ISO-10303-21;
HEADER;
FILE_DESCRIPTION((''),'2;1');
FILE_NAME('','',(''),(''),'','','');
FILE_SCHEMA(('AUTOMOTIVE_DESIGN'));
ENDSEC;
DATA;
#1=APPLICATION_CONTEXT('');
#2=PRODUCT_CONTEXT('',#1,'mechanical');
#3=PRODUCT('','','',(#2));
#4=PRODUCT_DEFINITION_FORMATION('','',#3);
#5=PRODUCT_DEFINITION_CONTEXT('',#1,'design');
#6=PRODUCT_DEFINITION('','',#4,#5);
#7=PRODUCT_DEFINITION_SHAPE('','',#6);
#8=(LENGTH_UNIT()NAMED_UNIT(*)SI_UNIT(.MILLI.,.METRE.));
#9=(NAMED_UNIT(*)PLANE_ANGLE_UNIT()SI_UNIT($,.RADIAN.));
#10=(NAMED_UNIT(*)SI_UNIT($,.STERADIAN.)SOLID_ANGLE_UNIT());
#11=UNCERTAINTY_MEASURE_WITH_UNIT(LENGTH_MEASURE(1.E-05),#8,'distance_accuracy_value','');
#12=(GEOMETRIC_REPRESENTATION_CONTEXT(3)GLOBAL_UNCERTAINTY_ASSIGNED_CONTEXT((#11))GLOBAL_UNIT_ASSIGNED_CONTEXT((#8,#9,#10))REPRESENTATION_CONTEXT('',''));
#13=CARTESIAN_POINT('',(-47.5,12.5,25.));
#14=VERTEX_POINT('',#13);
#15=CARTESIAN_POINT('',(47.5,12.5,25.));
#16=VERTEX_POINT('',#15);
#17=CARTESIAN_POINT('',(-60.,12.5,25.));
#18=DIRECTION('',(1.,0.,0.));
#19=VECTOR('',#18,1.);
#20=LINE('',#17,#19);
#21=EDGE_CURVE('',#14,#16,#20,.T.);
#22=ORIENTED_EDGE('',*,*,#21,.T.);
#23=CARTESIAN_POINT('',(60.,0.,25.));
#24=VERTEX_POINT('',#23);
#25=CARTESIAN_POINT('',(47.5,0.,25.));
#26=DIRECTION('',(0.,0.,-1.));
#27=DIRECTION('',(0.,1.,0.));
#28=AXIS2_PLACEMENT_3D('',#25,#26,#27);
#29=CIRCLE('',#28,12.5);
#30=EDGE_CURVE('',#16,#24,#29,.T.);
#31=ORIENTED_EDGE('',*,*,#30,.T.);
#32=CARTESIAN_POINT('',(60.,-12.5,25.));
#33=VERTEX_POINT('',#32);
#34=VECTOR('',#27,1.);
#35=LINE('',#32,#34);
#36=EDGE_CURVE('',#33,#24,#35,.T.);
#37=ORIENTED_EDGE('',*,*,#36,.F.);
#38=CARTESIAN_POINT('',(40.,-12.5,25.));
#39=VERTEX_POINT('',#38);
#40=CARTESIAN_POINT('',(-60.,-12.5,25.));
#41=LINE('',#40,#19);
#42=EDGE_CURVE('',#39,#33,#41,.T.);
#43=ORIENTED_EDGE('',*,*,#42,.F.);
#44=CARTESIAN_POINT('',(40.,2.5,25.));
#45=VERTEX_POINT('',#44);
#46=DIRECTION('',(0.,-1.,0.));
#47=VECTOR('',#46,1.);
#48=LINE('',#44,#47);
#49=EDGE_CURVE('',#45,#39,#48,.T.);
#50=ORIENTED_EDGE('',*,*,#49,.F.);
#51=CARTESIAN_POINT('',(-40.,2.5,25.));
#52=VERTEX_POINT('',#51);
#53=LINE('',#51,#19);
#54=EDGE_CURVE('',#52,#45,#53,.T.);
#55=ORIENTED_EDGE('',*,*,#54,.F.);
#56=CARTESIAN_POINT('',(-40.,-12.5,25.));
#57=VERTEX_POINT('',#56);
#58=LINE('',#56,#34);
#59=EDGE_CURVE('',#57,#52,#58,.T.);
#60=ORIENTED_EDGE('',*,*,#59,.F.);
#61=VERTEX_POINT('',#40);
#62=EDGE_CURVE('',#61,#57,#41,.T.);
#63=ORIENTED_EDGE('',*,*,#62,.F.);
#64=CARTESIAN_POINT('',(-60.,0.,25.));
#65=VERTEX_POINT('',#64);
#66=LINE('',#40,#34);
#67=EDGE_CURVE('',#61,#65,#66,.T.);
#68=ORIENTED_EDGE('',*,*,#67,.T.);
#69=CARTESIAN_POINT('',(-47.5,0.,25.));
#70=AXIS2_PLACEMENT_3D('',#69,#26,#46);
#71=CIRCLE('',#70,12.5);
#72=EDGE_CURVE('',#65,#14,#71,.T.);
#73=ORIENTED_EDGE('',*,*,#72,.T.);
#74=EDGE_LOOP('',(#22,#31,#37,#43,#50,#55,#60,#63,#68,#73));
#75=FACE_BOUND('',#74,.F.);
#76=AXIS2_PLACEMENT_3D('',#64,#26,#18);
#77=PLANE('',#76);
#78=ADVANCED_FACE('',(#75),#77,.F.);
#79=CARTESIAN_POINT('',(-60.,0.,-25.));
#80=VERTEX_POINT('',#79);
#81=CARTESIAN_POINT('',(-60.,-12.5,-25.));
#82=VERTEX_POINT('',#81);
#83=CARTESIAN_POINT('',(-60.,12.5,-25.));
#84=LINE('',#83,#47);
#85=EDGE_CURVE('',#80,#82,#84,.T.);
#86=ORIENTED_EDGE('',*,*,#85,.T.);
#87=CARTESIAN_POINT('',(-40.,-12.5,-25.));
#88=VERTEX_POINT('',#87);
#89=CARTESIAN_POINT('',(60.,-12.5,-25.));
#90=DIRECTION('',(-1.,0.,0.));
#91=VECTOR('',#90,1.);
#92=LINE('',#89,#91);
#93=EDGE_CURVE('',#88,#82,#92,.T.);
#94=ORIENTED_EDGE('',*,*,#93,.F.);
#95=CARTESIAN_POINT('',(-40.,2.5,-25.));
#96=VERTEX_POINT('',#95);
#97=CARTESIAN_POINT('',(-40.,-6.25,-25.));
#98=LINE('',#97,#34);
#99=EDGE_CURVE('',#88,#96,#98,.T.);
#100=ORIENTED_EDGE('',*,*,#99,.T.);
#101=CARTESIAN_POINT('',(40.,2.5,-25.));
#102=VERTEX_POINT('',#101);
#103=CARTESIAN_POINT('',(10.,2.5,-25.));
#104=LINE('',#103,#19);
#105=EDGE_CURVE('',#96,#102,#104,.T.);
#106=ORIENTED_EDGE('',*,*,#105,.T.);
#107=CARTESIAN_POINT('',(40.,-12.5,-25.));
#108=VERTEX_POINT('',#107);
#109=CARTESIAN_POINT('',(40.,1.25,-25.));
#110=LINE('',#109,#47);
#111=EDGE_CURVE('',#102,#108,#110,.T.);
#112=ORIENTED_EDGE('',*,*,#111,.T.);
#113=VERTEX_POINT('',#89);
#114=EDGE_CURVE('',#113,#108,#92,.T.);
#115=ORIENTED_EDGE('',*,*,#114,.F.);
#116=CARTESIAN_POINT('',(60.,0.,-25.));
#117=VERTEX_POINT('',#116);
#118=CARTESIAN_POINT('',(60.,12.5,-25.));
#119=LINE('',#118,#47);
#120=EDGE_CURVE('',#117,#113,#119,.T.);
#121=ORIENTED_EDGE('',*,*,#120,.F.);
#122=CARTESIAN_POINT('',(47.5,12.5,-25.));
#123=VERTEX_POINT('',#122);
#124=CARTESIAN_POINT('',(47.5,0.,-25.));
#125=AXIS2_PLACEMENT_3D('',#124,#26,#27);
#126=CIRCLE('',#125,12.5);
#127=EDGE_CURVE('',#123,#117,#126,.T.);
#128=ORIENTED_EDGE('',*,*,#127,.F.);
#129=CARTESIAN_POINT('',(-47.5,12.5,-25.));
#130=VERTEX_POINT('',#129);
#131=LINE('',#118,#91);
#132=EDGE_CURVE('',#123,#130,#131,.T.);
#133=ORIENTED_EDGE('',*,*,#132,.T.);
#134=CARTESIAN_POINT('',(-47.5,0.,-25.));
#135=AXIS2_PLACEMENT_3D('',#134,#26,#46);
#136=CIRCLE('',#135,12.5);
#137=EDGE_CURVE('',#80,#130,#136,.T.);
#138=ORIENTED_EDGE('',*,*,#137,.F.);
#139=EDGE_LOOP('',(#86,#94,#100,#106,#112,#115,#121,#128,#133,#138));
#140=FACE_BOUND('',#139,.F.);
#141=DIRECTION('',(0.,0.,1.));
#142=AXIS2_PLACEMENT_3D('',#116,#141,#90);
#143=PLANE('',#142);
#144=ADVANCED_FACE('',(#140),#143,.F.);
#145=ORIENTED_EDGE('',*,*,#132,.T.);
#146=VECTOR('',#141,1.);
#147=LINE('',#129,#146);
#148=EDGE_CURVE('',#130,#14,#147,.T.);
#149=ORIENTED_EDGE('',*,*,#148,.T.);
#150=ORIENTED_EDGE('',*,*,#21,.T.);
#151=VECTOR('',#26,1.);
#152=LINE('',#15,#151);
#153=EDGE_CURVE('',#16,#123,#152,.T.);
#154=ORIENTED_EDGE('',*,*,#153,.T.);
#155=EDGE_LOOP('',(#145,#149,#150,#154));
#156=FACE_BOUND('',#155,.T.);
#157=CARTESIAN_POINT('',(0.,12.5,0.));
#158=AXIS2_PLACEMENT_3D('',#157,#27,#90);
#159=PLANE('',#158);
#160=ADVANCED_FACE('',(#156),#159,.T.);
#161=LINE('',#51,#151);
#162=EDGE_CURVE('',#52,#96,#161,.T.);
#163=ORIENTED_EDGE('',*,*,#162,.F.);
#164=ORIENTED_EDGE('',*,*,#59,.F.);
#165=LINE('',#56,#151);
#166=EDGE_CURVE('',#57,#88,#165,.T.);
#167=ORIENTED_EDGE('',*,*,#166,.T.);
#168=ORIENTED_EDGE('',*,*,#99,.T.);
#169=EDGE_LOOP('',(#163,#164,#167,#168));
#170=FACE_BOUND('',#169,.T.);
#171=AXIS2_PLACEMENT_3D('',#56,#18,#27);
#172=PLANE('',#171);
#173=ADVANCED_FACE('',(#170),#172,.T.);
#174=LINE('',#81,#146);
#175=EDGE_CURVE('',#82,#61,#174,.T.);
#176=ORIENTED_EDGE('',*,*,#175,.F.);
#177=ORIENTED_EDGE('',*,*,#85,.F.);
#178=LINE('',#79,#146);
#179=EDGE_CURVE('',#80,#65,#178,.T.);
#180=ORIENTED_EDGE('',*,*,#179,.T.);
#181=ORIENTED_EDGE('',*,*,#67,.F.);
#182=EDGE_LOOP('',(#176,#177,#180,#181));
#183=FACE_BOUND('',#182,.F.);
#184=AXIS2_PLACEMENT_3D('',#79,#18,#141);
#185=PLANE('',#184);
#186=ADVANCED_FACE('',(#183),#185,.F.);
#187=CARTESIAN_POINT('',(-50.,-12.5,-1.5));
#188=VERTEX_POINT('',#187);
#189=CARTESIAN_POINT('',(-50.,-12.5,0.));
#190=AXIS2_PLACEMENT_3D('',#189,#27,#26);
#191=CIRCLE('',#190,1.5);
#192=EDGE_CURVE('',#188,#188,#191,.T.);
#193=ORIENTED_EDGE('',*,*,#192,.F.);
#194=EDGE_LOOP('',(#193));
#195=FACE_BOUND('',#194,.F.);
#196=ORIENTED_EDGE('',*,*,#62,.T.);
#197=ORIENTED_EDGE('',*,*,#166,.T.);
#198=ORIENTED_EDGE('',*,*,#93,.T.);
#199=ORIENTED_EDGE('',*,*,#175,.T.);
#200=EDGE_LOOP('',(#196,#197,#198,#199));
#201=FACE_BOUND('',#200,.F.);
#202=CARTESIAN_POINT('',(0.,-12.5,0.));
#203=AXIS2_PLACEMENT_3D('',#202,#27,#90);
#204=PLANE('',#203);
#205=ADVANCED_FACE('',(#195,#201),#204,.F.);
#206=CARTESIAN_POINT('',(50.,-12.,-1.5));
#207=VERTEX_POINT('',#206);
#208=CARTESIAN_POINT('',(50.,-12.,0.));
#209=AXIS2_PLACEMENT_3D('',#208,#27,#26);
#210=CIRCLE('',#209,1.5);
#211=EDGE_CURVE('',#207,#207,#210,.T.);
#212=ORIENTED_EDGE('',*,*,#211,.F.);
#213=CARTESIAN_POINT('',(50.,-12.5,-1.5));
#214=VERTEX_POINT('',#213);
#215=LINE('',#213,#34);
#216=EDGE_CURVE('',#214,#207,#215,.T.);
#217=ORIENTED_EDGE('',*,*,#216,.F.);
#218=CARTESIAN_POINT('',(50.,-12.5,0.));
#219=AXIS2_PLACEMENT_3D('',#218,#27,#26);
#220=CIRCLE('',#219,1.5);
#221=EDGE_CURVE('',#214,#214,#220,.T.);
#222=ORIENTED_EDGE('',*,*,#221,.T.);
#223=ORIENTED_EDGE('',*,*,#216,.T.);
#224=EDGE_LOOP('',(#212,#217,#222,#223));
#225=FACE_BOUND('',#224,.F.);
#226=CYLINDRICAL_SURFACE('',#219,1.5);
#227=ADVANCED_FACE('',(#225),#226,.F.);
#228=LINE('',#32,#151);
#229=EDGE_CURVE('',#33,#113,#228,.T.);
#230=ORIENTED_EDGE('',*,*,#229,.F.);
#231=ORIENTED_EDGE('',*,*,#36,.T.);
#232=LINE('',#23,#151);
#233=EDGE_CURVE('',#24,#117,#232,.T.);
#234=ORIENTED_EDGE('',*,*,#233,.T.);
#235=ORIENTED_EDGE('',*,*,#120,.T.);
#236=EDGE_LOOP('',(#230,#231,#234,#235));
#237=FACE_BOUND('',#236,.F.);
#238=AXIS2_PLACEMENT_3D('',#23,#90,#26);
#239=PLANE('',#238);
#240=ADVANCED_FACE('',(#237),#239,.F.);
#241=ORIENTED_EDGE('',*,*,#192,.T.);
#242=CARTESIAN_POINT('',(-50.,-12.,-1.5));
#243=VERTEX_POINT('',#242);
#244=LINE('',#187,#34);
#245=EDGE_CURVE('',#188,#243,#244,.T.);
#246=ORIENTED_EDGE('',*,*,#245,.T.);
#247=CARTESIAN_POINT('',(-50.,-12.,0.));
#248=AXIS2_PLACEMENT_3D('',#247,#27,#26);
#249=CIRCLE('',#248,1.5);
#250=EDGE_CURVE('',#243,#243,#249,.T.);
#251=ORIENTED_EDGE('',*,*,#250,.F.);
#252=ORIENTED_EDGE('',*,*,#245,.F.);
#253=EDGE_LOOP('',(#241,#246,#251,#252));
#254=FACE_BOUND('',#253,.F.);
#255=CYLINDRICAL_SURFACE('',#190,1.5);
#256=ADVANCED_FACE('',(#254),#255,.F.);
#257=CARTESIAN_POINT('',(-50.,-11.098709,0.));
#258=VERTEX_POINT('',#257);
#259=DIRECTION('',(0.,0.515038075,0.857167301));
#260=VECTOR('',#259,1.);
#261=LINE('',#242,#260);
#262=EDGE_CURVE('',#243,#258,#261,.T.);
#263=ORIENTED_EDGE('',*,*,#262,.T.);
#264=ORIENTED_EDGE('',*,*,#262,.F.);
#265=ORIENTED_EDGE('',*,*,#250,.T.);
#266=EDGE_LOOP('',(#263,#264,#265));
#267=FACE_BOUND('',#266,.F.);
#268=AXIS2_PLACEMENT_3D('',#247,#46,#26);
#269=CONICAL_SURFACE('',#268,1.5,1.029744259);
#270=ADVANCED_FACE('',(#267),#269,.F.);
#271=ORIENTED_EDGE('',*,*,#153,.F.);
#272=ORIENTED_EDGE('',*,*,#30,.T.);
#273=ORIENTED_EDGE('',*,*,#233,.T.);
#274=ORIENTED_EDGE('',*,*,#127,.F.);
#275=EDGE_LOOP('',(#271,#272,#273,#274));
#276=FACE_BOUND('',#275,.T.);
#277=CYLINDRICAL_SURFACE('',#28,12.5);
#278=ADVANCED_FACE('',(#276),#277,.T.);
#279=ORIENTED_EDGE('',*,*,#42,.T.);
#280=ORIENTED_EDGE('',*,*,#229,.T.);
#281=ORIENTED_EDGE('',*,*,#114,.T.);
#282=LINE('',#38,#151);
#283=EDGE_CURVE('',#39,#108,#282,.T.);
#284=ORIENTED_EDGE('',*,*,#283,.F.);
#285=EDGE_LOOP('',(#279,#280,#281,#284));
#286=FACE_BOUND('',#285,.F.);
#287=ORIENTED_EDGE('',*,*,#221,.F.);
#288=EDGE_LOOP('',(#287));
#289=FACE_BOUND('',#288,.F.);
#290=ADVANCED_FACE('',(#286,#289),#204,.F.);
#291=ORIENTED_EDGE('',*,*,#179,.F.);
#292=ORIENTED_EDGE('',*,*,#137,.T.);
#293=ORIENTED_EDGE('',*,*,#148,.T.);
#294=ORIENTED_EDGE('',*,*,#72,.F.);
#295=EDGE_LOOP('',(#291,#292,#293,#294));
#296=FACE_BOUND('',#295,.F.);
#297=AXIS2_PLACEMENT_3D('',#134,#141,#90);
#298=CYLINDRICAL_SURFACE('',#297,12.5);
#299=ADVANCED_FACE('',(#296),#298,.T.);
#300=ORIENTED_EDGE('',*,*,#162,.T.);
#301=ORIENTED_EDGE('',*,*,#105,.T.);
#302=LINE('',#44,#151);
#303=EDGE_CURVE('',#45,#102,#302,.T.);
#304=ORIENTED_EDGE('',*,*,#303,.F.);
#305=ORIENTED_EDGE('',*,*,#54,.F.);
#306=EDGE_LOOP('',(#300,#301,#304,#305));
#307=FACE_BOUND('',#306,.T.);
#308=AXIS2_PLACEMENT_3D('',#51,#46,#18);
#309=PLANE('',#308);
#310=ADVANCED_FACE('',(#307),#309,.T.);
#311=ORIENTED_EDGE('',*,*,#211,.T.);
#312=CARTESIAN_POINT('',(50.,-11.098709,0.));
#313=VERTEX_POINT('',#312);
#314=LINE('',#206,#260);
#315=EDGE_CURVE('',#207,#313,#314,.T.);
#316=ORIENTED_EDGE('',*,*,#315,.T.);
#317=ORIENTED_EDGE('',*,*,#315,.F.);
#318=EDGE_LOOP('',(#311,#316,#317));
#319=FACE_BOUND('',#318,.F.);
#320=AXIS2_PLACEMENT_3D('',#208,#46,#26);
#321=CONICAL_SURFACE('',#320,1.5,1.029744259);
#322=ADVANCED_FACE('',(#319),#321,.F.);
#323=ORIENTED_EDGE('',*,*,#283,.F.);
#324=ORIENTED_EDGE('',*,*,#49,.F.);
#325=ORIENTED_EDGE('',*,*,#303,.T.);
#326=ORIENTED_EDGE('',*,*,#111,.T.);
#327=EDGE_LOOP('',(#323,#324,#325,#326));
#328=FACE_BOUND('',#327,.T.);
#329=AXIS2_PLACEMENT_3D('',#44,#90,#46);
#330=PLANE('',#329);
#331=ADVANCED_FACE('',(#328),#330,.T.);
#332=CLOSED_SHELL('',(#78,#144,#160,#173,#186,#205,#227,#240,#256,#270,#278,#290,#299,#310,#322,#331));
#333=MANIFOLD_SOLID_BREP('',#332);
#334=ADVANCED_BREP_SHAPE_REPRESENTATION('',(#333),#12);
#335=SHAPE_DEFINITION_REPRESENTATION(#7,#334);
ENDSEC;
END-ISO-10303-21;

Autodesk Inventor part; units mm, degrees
ref_plane "YZ Plane" through (0, 0, 0) normal (1, 0, 0) x (0, 1, 0)
ref_plane "XZ Plane" through (0, 0, 0) normal (0, 1, 0) x (-1, 0, 0)
ref_plane "XY Plane" through (0, 0, 0) normal (0, 0, 1) x (1, 0, 0)
sketch "Sketch1" plane through (0, 0, 0) normal (0, 1, 0) x (-1, 0, 0)
  line L0 (60, 25) -> (-60, 25)
  line L1 (-60, 25) -> (-60, -25)
  line L2 (-60, -25) -> (60, -25)
  line L3 (60, -25) -> (60, 25)
  point P0 (0, 0)
extrude "Extrusion1" add sketch "Sketch1" along normal mid plane 25
sketch "Sketch2" plane through (-60, 12.5, 25) normal (0, 0, 1) x (1, 0, 0)
  line L0 (0, -25) -> (120, -25) projected
  line L1 (60, -25) -> (20, -25)
  line L2 (20, -25) -> (20, -10)
  line L3 (20, -10) -> (100, -10)
  line L4 (100, -10) -> (100, -25)
  line L5 (100, -25) -> (60, -25)
  point P0 (60, -12.5)
  dimension "d5" = 15
  dimension "d6" = 80
extrude "Extrusion2" cut sketch "Sketch2" against normal through all
fillet "Fillet1" radius 12.5 2 edges at (60, 12.5, 0) (-60, 12.5, 0)
sketch "Sketch3" plane through (0, -12.5, 0) normal (0, -1, 0) x (1, 0, 0)
  line L0 (-60, 25) -> (-60, -25) projected
  line L1 (60, -25) -> (60, 25) projected
  point P0 (0, 0)
  point P1 (-50, 0)
  point P2 (50, 0)
hole "Hole1" at (-50, -12.5, 0) at (50, -12.5, 0) direction (0, 1, 0) diameter 3 depth 0.5 tip angle 118
properties part number "newsteelhandle" material "Steel"
